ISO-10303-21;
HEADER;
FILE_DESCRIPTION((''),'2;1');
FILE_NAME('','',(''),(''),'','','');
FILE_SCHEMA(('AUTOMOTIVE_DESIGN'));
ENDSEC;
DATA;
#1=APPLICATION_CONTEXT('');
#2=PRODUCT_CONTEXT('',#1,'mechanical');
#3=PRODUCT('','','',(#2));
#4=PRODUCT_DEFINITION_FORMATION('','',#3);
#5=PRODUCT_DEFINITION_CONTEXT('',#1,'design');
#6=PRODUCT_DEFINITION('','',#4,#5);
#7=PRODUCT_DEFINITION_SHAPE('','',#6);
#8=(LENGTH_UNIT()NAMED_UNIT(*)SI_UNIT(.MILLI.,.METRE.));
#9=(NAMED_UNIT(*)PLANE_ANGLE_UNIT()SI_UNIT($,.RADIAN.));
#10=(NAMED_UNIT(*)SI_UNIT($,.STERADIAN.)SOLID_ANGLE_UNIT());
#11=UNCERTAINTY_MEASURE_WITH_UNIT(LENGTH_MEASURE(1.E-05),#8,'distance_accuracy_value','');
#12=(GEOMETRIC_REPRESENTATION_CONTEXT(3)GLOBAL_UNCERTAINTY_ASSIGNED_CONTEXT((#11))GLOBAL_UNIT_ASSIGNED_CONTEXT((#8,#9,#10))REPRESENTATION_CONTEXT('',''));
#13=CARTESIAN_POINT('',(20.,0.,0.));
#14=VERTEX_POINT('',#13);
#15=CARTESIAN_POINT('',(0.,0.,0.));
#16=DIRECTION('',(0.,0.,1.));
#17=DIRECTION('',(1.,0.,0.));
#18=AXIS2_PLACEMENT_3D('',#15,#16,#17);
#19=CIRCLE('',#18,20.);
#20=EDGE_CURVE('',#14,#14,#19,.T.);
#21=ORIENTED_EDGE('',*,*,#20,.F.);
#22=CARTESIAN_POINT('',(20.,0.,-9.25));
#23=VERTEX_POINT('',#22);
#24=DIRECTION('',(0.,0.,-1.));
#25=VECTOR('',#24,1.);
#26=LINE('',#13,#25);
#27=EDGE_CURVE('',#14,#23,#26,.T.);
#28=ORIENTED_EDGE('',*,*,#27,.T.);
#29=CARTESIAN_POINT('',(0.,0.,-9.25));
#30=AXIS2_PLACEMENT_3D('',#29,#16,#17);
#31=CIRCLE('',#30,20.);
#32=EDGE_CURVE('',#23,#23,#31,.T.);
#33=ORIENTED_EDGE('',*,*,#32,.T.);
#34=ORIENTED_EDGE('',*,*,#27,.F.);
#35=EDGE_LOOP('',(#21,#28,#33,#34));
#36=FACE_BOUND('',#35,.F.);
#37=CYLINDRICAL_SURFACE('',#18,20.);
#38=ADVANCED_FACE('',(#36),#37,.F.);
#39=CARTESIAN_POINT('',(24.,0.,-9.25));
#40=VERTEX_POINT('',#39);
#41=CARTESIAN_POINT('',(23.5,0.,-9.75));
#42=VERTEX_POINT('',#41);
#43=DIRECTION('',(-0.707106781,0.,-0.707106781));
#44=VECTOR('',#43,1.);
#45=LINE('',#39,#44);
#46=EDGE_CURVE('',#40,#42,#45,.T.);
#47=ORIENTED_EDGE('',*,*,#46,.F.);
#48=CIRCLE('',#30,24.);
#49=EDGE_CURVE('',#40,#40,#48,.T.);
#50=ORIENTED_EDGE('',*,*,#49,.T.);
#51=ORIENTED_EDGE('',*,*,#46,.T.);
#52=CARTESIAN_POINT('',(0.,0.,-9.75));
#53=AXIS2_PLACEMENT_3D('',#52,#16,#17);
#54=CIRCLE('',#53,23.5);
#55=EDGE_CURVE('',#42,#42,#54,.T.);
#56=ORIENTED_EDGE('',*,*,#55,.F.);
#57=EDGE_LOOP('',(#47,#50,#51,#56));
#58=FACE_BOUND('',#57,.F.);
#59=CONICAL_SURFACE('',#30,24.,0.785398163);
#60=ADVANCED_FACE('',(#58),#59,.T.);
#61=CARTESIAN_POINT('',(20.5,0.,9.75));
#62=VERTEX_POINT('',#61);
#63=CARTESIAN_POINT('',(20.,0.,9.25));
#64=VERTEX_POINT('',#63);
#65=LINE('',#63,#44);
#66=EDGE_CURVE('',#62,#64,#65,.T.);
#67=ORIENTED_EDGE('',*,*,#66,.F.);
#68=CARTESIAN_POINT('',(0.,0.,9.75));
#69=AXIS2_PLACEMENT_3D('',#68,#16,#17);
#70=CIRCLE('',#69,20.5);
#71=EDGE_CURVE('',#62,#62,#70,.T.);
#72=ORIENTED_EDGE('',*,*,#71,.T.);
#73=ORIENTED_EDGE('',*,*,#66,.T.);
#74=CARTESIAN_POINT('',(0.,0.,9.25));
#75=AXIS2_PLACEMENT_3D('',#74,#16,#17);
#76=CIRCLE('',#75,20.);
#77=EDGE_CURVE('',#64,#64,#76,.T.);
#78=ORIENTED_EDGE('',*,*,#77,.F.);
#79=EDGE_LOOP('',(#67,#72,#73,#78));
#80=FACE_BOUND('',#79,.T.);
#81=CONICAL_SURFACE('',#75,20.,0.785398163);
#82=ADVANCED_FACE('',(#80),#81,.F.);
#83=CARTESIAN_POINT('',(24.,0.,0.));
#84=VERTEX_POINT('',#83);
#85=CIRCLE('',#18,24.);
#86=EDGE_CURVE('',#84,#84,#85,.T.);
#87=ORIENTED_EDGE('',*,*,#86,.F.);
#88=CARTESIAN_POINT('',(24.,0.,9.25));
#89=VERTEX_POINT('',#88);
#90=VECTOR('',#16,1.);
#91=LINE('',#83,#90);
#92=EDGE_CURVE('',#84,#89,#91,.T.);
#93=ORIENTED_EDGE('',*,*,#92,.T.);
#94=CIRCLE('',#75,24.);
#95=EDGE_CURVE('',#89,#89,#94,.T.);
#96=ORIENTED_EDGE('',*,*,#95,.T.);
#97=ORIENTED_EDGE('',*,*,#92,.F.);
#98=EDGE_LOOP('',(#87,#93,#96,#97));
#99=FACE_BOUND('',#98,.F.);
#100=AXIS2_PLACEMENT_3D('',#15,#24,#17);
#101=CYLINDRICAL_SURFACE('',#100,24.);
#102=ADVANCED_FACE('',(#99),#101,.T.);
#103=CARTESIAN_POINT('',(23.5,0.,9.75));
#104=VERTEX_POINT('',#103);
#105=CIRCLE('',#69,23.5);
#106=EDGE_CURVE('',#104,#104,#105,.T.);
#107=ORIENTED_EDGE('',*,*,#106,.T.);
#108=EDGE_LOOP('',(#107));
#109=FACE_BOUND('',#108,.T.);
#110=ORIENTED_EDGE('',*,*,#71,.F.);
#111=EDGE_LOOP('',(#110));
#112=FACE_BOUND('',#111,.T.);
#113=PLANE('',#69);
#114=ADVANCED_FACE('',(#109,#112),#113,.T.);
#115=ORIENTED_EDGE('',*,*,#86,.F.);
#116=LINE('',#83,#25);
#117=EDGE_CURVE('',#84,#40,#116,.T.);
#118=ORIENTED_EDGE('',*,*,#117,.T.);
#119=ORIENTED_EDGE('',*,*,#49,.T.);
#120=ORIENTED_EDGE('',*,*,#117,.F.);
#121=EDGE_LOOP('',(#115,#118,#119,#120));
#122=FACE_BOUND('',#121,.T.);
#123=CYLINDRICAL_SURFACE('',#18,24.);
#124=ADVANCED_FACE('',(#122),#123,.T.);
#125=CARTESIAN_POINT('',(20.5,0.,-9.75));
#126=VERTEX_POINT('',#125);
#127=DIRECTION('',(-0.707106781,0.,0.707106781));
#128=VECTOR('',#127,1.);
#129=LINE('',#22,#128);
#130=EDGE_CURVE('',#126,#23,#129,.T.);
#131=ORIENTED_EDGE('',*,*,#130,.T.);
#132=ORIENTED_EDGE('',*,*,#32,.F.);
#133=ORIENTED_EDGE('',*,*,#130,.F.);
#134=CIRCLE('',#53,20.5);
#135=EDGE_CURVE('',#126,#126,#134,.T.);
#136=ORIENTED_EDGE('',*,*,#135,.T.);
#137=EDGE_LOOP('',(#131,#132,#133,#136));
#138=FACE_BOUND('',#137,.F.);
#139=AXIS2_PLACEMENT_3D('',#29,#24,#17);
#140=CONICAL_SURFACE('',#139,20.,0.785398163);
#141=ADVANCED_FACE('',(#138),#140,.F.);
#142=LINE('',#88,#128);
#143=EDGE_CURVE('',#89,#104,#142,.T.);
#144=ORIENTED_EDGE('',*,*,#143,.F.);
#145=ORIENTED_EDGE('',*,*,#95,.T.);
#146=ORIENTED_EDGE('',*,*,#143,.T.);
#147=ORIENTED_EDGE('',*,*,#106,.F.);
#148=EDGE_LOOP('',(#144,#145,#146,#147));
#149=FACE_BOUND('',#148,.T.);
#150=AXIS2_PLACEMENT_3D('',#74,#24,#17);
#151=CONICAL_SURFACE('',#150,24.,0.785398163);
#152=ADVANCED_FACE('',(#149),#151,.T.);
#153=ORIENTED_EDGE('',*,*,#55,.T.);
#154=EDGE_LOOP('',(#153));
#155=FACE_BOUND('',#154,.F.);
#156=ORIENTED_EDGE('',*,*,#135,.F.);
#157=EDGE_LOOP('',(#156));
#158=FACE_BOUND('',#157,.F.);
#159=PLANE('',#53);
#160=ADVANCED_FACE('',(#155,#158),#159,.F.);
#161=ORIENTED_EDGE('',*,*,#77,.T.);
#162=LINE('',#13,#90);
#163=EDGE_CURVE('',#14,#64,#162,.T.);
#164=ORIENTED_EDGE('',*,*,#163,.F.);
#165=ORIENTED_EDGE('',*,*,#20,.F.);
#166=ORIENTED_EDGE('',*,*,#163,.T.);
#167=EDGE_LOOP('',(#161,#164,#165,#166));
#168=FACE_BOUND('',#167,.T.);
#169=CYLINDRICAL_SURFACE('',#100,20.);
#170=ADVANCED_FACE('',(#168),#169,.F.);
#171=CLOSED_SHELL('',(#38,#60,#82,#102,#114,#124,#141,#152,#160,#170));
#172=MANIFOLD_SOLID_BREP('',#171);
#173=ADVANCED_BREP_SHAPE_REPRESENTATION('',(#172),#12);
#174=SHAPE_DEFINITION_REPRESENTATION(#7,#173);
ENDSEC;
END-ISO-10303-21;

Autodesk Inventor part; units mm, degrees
ref_plane "YZ Plane" through (0, 0, 0) normal (1, 0, 0) x (0, 1, 0)
ref_plane "XZ Plane" through (0, 0, 0) normal (0, 1, 0) x (-1, 0, 0)
ref_plane "XY Plane" through (0, 0, 0) normal (0, 0, 1) x (1, 0, 0)
sketch "Esboço1" plane through (0, 0, 0) normal (0, 0, 1) x (1, 0, 0)
  circle A0 centre (0, 0) radius 20
  circle A1 centre (0, 0) radius 24
  dimension "d0" = 40
  dimension "d1" = 48
extrude "Extrusão1" add sketch "Esboço1" along normal mid plane 19.5
chamfer "Chanfro1" distance 0.5 angle 45 4 edges at (-24, 0, 9.75) (-20, 0, 9.75) (-20, 0, -9.75) (-24, 0, -9.75)
